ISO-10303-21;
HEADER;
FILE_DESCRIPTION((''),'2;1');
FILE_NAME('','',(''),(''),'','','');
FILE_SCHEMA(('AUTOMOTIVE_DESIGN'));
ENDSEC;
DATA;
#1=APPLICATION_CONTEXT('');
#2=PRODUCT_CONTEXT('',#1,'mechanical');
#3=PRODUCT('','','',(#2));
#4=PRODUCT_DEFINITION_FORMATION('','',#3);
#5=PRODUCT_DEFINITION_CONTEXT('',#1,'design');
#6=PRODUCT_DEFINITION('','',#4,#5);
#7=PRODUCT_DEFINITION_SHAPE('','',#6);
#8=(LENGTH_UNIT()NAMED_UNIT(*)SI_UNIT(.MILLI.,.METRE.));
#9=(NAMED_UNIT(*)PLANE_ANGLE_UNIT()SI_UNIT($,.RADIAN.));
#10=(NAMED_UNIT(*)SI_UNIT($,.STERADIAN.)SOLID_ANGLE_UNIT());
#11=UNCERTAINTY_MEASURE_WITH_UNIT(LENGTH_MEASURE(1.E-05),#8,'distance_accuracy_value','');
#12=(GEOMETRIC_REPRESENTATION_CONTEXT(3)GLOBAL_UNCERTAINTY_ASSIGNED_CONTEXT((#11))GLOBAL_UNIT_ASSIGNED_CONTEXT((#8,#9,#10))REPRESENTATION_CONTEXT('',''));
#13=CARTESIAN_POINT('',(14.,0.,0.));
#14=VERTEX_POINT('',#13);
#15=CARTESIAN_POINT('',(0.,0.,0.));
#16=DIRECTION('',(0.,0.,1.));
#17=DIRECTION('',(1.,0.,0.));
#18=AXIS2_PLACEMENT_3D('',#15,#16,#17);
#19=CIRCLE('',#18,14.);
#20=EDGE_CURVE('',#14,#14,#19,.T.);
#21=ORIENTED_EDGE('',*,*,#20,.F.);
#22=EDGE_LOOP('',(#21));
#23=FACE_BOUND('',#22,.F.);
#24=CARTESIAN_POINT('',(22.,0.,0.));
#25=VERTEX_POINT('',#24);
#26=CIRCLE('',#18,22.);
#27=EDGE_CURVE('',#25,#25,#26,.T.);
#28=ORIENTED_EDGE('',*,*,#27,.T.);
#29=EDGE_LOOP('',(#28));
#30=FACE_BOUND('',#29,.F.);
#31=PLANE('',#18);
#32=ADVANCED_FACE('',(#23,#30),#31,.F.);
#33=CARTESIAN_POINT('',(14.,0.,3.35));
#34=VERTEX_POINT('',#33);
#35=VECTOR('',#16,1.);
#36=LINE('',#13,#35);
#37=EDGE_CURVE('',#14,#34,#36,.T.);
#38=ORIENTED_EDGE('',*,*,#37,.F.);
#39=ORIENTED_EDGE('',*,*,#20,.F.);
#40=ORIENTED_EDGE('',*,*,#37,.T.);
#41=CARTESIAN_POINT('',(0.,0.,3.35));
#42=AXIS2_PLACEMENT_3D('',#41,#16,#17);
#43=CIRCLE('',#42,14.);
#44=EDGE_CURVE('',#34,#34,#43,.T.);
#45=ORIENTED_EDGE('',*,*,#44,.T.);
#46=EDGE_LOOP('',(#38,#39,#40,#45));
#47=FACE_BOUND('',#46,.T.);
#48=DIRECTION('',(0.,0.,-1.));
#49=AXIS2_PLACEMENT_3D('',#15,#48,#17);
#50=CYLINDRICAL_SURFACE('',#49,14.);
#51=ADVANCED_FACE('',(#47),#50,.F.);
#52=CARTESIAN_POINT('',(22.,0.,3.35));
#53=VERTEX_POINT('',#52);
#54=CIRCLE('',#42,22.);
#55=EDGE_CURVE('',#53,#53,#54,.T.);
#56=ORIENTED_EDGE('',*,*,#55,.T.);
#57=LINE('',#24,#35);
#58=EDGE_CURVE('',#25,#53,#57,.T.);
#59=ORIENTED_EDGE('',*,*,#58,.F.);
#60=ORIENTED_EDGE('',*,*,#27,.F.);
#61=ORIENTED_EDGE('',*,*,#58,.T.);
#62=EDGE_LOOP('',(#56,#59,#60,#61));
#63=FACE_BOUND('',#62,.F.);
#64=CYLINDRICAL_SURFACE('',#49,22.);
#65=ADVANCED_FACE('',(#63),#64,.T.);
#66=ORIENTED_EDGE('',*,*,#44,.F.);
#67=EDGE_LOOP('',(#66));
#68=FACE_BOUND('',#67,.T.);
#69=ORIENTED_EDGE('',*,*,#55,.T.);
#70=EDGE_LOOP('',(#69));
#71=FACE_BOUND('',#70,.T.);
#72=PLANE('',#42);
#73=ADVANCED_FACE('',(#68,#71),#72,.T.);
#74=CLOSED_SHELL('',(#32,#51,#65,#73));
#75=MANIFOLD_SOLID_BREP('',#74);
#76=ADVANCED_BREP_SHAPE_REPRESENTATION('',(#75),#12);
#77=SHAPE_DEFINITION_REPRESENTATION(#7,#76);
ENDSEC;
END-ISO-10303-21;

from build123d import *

# Parameters (mm, degrees)
SKETCH_R   = 22
SKETCH_R_2 = 14
PAD_DEPTH  = 3.35


with BuildPart() as part:
    # Sketch → Pad (new body)
    with BuildSketch(Plane.XY):
        Circle(SKETCH_R)
        Circle(SKETCH_R_2, mode=Mode.SUBTRACT)
    extrude(amount=PAD_DEPTH)


solid = part.part
